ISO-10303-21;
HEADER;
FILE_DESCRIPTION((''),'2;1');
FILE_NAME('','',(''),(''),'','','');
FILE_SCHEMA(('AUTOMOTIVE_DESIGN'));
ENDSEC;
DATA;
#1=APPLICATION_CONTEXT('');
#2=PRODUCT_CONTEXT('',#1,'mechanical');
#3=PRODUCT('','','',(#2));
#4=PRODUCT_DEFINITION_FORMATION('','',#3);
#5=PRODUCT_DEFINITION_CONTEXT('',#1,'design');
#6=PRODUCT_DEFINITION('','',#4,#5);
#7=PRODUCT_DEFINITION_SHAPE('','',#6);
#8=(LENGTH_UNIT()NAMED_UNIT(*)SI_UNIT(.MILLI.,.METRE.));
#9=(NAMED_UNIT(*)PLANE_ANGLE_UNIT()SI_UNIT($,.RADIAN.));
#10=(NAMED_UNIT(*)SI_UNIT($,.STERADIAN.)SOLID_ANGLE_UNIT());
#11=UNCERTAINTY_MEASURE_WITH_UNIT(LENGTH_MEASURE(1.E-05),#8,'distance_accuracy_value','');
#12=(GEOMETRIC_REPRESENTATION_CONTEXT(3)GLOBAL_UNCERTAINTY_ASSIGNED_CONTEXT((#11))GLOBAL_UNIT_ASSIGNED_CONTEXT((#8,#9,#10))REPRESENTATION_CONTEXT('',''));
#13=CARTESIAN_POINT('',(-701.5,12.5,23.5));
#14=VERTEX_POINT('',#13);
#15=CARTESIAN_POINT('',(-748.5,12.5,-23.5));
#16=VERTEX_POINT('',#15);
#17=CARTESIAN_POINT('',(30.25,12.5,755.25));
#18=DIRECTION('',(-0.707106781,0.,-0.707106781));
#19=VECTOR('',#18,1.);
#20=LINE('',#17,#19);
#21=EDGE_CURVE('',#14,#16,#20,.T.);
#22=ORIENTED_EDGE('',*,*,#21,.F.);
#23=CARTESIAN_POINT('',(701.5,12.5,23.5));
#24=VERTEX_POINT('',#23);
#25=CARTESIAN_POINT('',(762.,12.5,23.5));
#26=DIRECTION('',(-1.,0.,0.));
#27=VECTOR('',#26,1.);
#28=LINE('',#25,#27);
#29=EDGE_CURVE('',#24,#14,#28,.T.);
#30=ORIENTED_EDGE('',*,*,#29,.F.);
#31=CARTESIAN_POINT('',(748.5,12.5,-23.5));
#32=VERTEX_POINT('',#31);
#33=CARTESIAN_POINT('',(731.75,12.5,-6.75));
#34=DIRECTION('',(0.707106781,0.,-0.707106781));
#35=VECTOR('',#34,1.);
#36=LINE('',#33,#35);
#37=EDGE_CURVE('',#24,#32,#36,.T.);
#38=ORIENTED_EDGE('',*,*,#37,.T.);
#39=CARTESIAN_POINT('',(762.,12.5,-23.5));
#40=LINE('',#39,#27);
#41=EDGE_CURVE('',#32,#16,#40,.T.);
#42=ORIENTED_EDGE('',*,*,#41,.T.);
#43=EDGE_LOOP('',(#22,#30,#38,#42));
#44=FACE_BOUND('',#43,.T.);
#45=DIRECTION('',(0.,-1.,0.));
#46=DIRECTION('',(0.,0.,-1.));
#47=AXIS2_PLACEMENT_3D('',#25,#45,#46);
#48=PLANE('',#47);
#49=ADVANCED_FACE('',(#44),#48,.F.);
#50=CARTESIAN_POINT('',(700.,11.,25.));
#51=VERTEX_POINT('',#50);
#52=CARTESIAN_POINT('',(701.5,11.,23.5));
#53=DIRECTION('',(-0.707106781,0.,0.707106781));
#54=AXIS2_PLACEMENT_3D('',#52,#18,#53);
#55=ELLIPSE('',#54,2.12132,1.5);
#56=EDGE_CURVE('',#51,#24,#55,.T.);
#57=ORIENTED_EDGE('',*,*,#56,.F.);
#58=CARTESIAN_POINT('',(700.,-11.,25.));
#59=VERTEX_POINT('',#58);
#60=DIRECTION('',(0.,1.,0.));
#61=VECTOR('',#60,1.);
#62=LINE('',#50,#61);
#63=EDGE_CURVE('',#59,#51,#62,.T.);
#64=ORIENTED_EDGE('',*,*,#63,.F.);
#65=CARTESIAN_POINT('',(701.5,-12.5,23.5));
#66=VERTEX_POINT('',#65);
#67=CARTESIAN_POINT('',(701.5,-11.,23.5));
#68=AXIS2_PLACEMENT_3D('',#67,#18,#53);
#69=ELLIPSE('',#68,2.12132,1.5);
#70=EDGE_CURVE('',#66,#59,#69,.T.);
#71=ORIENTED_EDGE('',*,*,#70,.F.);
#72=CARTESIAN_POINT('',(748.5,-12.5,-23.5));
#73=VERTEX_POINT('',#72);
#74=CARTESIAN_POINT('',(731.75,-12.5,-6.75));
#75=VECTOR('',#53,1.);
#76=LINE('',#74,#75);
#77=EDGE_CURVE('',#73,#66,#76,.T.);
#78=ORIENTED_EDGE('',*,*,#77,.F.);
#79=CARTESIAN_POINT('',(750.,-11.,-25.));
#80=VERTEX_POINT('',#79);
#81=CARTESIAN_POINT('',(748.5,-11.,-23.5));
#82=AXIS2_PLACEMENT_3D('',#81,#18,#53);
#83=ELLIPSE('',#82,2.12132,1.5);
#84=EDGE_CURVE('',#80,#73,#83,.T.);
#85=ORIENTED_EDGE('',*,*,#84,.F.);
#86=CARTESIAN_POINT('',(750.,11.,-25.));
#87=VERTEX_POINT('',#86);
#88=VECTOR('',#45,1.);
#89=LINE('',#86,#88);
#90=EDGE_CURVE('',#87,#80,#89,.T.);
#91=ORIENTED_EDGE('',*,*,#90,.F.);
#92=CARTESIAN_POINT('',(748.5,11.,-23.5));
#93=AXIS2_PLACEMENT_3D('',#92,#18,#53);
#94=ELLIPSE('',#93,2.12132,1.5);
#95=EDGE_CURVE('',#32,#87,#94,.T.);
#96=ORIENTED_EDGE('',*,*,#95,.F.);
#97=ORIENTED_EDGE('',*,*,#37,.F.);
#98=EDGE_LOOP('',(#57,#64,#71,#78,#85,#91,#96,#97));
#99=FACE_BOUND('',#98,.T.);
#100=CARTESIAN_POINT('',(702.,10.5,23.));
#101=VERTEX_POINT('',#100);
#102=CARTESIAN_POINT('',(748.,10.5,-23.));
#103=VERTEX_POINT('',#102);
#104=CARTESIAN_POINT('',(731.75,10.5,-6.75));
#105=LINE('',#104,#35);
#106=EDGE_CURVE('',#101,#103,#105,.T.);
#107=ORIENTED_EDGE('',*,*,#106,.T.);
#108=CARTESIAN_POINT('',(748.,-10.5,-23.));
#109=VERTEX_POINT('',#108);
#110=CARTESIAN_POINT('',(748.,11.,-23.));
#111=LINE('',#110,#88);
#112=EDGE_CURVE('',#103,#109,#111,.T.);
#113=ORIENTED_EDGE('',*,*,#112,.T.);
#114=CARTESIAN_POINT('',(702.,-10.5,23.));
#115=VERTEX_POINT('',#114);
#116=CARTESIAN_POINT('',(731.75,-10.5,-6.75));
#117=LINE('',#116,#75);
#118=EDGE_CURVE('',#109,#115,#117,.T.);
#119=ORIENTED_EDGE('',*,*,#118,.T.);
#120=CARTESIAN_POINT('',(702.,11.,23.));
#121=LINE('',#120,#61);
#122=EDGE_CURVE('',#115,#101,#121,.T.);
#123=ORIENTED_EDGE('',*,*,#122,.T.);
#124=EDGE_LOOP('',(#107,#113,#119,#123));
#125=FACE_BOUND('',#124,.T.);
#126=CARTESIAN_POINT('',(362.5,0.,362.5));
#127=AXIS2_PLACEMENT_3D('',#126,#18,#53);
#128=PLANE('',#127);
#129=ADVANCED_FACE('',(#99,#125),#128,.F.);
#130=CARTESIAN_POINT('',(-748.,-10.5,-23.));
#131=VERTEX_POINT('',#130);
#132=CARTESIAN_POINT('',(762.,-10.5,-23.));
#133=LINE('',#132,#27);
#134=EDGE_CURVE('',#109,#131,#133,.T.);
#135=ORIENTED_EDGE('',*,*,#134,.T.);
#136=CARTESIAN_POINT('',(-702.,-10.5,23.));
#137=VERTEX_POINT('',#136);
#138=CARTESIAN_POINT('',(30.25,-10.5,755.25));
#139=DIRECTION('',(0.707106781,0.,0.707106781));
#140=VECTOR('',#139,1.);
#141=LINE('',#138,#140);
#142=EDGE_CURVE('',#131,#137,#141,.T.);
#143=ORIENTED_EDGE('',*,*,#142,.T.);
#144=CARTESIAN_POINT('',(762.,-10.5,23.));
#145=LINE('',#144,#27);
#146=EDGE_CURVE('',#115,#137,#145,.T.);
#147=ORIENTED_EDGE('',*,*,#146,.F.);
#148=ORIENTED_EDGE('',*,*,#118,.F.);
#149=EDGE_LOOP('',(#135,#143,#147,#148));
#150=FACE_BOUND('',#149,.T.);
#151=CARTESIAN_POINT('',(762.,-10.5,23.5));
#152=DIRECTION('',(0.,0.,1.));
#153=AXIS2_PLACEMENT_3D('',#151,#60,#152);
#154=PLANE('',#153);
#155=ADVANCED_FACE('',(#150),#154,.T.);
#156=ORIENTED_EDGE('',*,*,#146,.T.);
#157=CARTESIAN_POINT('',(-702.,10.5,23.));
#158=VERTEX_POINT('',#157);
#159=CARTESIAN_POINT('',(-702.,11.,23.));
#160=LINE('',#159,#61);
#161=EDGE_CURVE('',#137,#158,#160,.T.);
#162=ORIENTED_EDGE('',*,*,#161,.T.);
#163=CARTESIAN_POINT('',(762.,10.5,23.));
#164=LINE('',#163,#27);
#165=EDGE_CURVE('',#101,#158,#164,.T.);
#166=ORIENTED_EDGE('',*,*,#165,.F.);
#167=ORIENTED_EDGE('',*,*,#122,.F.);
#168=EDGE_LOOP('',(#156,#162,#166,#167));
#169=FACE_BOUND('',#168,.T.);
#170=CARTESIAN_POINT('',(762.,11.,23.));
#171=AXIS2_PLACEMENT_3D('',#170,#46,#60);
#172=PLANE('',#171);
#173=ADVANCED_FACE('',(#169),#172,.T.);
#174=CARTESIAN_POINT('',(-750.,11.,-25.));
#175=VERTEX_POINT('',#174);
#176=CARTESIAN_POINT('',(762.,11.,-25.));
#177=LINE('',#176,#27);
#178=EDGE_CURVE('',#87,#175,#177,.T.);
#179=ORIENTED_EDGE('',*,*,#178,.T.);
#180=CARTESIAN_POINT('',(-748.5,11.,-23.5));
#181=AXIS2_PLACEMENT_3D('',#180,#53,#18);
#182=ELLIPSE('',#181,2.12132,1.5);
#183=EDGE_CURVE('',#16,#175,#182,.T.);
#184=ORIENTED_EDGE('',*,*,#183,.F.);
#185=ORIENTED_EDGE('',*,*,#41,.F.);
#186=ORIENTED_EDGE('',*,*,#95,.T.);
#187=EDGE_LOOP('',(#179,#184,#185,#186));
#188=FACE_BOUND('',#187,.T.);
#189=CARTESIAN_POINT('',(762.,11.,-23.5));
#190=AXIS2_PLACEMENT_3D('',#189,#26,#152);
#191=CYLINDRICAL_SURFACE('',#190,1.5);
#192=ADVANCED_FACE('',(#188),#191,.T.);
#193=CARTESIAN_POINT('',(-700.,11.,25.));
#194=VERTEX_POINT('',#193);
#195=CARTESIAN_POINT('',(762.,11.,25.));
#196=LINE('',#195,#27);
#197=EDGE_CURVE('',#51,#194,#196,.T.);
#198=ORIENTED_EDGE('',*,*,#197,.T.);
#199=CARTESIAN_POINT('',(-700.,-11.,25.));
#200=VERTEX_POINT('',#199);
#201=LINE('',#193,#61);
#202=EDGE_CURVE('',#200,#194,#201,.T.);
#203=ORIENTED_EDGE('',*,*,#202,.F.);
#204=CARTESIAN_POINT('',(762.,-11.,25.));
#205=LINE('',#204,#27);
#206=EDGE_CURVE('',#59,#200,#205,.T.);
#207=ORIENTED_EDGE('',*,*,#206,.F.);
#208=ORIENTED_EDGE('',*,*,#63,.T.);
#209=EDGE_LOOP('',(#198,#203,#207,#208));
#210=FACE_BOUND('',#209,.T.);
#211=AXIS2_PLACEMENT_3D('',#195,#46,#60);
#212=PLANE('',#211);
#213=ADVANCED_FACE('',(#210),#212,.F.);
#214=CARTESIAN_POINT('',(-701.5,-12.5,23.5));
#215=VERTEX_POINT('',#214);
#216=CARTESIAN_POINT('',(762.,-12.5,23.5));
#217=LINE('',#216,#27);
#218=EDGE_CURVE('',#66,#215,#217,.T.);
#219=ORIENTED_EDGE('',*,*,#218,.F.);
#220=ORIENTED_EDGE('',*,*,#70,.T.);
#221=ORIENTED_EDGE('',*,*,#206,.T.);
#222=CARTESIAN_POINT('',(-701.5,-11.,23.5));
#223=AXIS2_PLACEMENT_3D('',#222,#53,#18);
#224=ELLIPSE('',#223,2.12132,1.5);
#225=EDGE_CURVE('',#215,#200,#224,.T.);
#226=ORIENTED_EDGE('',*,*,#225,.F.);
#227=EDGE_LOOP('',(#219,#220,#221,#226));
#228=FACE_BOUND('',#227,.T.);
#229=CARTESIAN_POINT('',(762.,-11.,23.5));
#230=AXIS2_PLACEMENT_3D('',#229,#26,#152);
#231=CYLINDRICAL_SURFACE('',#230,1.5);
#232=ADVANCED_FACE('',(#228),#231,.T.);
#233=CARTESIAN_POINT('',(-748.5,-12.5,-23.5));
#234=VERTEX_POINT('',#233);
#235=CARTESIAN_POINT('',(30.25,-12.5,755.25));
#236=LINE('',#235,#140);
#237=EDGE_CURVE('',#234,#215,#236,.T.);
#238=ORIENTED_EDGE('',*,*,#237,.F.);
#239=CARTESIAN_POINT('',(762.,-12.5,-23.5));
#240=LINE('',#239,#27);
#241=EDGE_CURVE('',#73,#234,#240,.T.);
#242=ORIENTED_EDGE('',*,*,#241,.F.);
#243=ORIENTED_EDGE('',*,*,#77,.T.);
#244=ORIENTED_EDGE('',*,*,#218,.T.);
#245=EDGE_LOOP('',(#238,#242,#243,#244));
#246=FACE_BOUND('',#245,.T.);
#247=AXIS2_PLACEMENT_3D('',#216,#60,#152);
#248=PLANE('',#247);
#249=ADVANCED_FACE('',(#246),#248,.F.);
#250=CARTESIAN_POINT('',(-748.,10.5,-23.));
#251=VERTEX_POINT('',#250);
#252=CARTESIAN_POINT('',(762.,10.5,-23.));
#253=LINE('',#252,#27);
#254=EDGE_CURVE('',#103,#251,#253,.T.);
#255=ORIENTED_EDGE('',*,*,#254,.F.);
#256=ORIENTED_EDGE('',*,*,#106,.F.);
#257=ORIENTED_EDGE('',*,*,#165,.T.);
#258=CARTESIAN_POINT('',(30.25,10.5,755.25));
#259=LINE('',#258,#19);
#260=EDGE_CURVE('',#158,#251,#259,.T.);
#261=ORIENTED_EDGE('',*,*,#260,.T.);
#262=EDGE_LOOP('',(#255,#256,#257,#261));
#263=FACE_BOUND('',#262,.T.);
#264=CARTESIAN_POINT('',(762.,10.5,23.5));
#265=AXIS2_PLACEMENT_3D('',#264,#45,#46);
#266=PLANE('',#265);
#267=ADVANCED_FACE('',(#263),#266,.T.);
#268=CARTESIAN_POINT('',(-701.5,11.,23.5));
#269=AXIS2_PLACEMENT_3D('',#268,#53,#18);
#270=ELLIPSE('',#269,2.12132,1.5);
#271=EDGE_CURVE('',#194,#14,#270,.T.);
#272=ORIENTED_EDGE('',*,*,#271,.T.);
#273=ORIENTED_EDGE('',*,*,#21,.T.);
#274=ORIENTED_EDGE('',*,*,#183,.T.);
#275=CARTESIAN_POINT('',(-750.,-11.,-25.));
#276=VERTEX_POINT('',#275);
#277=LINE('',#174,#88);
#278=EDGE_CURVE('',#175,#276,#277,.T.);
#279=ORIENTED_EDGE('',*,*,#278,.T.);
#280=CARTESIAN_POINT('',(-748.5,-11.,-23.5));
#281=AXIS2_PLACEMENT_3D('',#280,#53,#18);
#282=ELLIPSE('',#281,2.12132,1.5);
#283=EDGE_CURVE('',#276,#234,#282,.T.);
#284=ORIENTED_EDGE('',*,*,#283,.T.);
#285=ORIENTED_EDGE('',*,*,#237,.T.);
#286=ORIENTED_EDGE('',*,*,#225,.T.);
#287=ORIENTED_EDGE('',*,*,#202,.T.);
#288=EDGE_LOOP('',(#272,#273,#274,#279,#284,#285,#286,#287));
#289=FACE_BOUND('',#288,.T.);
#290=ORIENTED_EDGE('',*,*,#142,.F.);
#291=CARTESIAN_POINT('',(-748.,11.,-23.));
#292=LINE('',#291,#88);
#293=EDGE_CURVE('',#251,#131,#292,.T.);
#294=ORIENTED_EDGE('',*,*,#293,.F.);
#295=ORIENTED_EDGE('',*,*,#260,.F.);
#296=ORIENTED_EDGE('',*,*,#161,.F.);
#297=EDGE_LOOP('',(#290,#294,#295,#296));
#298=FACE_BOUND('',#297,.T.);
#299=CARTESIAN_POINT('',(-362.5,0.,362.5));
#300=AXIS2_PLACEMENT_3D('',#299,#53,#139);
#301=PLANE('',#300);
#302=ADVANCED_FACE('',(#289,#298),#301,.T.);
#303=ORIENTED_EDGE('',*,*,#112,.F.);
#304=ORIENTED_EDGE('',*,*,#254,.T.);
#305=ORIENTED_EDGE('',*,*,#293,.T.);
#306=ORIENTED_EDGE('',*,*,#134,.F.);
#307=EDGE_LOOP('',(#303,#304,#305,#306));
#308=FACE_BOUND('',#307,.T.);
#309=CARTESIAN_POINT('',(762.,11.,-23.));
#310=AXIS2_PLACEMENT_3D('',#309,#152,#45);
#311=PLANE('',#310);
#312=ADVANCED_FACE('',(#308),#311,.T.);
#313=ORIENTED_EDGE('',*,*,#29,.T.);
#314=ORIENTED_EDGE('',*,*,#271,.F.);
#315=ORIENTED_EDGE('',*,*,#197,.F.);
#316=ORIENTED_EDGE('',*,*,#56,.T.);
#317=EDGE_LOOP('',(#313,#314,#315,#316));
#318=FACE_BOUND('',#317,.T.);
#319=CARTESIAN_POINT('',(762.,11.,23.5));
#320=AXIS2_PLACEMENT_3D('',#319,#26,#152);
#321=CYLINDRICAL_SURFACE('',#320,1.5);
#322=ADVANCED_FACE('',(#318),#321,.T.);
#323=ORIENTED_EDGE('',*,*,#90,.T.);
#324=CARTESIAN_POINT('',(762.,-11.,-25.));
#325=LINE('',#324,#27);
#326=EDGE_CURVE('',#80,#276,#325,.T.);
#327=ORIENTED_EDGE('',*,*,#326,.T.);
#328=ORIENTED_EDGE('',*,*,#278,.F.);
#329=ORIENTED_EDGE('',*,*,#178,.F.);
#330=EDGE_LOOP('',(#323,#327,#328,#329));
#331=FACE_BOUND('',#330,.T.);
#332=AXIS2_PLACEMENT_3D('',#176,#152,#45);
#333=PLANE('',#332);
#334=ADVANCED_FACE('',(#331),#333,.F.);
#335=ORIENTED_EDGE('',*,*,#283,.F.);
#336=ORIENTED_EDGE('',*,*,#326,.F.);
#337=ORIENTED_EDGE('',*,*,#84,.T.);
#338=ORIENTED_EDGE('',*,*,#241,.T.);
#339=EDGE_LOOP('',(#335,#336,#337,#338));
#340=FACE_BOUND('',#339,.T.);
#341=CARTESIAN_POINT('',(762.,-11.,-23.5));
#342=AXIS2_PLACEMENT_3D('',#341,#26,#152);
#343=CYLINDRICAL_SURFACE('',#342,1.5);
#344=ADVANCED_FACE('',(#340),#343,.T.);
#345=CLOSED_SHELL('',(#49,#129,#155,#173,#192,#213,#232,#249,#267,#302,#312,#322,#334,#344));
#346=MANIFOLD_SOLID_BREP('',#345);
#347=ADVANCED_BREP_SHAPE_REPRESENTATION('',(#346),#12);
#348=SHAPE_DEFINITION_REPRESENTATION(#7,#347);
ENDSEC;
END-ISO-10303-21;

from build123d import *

# Parameters (mm, degrees)
BOSS_EXTRUDE1_DEPTH = 762
SHELL1_T            = -2


with BuildPart() as part:
    # Sketch1 → Boss-Extrude1 (new, symmetric)
    with BuildSketch(Plane(origin=(0, 0, 0), x_dir=(0, 0, -1), z_dir=(1, 0, 0))):
        with BuildLine():
            Line((-23.5, 12.5), (23.5, 12.5))
            ThreePointArc((23.5, 12.5), (24.560660172, 12.060660172), (25, 11))
            Line((25, 11), (25, -11))
            ThreePointArc((25, -11), (24.560660172, -12.060660172), (23.5, -12.5))
            Line((23.5, -12.5), (-23.5, -12.5))
            ThreePointArc((-23.5, -12.5), (-24.560660172, -12.060660172), (-25, -11))
            Line((-25, -11), (-25, 11))
            ThreePointArc((-25, 11), (-24.560660172, 12.060660172), (-23.5, 12.5))
        make_face()
    extrude(amount=BOSS_EXTRUDE1_DEPTH, both=True)

    # Shell1
    shell1_openings = [part.faces().sort_by_distance(p)[0] for p in [
        (762, 0, 0),
        (-762, 0, 0),
    ]]
    offset(amount=SHELL1_T, openings=shell1_openings, kind=Kind.INTERSECTION)

    # SurfaceCut1
    split(bisect_by=Plane(origin=(-362.5, 0, 362.5), x_dir=(0.707106781186551, 0, 0.7071067811865441), z_dir=(-0.7071067811865441, 0, 0.707106781186551)), keep=Keep.BOTTOM)

    # SurfaceCut2
    split(bisect_by=Plane(origin=(362.5, 0, 362.5), x_dir=(-0.707106781186551, 0, 0.7071067811865441), z_dir=(-0.7071067811865441, 0, -0.707106781186551)), keep=Keep.TOP)


solid = part.part
